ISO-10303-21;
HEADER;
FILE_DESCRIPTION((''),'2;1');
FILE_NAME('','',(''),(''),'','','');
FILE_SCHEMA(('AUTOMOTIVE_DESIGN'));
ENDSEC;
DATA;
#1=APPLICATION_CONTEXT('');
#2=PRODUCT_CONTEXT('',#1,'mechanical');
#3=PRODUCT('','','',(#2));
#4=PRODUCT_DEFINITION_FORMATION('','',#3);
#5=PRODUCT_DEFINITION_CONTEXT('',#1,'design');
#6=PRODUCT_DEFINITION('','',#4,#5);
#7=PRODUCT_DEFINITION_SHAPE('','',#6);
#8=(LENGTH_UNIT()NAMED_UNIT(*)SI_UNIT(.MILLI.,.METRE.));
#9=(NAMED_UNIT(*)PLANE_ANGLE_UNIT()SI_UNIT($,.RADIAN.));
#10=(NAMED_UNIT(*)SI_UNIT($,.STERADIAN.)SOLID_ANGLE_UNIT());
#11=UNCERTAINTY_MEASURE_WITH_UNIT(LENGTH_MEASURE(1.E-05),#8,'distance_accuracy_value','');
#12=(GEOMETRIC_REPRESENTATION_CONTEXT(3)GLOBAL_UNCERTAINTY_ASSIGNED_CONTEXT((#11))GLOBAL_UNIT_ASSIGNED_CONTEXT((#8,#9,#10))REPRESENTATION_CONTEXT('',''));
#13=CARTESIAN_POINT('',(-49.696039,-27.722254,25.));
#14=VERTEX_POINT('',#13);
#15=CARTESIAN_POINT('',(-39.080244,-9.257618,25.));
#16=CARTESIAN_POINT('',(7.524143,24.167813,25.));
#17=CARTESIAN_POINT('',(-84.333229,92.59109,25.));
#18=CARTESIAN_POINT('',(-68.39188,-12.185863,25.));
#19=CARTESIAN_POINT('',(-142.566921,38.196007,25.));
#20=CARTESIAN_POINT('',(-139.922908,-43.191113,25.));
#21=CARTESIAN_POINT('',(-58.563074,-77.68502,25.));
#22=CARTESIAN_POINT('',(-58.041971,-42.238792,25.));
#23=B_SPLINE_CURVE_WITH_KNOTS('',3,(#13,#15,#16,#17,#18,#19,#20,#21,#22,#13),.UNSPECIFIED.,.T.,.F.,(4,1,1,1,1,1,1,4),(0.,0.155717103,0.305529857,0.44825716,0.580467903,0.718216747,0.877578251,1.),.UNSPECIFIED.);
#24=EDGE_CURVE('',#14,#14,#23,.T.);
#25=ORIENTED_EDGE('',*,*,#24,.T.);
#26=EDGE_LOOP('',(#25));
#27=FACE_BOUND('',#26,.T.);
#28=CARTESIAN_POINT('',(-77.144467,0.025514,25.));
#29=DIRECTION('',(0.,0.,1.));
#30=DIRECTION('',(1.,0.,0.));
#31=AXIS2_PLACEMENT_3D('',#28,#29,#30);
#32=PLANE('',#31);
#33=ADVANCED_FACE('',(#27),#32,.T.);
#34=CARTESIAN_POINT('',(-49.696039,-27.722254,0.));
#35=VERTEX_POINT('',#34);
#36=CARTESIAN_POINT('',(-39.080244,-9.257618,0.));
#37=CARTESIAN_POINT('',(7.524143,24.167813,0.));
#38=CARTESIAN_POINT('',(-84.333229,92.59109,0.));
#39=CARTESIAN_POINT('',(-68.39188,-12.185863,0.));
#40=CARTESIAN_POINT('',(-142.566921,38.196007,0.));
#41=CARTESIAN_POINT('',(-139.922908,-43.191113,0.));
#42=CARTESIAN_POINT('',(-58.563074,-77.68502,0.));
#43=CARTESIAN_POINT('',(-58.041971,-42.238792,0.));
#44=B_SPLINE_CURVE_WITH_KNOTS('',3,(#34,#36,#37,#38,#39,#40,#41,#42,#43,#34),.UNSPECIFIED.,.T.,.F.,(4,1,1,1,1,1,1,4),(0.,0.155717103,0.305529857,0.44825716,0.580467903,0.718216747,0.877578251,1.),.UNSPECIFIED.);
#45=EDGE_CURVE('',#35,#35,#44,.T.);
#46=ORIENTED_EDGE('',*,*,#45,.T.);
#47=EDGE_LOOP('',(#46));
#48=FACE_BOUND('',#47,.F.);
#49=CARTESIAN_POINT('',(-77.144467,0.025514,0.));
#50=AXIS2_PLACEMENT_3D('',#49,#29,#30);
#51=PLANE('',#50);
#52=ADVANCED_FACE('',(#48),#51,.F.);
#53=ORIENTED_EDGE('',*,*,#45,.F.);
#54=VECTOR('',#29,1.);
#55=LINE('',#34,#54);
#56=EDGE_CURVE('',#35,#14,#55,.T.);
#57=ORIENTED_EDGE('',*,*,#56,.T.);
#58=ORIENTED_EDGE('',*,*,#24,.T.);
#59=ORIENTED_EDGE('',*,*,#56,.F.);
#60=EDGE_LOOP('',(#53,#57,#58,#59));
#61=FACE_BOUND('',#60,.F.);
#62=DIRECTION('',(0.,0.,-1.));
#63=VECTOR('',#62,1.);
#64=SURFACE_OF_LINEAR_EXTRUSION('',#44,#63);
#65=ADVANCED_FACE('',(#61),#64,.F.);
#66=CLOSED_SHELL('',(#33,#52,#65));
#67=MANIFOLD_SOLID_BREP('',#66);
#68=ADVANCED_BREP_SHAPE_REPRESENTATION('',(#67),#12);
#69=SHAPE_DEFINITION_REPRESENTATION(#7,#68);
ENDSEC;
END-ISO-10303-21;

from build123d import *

# Parameters (mm, degrees)
F1_DEPTH = 25


with BuildPart() as f1:
    # F0 (on Top) → F1 (new body)
    with BuildSketch(Plane.XY):
        with BuildLine():
            add(Edge.make_bspline(
                [(-49.6960394084, -27.7222543955), (-39.0802440574, -9.2576176801), (7.5241434045, 24.167812556), (-84.3332288903, 92.5910895561), (-68.3918804473, -12.1858632198), (-142.5669209284, 38.1960073503), (-139.9229075628, -43.1911127094), (-58.5630739369, -77.6850204991), (-58.0419706481, -42.2387916211), (-49.6960394084, -27.7222543955)],
                knots=[0, 0, 0, 0, 0.1557171033, 0.3055298566, 0.4482571602, 0.5804679026, 0.7182167466, 0.8775782507, 1, 1, 1, 1], degree=3))
        make_face()
    extrude(amount=F1_DEPTH)


solid = f1.part
